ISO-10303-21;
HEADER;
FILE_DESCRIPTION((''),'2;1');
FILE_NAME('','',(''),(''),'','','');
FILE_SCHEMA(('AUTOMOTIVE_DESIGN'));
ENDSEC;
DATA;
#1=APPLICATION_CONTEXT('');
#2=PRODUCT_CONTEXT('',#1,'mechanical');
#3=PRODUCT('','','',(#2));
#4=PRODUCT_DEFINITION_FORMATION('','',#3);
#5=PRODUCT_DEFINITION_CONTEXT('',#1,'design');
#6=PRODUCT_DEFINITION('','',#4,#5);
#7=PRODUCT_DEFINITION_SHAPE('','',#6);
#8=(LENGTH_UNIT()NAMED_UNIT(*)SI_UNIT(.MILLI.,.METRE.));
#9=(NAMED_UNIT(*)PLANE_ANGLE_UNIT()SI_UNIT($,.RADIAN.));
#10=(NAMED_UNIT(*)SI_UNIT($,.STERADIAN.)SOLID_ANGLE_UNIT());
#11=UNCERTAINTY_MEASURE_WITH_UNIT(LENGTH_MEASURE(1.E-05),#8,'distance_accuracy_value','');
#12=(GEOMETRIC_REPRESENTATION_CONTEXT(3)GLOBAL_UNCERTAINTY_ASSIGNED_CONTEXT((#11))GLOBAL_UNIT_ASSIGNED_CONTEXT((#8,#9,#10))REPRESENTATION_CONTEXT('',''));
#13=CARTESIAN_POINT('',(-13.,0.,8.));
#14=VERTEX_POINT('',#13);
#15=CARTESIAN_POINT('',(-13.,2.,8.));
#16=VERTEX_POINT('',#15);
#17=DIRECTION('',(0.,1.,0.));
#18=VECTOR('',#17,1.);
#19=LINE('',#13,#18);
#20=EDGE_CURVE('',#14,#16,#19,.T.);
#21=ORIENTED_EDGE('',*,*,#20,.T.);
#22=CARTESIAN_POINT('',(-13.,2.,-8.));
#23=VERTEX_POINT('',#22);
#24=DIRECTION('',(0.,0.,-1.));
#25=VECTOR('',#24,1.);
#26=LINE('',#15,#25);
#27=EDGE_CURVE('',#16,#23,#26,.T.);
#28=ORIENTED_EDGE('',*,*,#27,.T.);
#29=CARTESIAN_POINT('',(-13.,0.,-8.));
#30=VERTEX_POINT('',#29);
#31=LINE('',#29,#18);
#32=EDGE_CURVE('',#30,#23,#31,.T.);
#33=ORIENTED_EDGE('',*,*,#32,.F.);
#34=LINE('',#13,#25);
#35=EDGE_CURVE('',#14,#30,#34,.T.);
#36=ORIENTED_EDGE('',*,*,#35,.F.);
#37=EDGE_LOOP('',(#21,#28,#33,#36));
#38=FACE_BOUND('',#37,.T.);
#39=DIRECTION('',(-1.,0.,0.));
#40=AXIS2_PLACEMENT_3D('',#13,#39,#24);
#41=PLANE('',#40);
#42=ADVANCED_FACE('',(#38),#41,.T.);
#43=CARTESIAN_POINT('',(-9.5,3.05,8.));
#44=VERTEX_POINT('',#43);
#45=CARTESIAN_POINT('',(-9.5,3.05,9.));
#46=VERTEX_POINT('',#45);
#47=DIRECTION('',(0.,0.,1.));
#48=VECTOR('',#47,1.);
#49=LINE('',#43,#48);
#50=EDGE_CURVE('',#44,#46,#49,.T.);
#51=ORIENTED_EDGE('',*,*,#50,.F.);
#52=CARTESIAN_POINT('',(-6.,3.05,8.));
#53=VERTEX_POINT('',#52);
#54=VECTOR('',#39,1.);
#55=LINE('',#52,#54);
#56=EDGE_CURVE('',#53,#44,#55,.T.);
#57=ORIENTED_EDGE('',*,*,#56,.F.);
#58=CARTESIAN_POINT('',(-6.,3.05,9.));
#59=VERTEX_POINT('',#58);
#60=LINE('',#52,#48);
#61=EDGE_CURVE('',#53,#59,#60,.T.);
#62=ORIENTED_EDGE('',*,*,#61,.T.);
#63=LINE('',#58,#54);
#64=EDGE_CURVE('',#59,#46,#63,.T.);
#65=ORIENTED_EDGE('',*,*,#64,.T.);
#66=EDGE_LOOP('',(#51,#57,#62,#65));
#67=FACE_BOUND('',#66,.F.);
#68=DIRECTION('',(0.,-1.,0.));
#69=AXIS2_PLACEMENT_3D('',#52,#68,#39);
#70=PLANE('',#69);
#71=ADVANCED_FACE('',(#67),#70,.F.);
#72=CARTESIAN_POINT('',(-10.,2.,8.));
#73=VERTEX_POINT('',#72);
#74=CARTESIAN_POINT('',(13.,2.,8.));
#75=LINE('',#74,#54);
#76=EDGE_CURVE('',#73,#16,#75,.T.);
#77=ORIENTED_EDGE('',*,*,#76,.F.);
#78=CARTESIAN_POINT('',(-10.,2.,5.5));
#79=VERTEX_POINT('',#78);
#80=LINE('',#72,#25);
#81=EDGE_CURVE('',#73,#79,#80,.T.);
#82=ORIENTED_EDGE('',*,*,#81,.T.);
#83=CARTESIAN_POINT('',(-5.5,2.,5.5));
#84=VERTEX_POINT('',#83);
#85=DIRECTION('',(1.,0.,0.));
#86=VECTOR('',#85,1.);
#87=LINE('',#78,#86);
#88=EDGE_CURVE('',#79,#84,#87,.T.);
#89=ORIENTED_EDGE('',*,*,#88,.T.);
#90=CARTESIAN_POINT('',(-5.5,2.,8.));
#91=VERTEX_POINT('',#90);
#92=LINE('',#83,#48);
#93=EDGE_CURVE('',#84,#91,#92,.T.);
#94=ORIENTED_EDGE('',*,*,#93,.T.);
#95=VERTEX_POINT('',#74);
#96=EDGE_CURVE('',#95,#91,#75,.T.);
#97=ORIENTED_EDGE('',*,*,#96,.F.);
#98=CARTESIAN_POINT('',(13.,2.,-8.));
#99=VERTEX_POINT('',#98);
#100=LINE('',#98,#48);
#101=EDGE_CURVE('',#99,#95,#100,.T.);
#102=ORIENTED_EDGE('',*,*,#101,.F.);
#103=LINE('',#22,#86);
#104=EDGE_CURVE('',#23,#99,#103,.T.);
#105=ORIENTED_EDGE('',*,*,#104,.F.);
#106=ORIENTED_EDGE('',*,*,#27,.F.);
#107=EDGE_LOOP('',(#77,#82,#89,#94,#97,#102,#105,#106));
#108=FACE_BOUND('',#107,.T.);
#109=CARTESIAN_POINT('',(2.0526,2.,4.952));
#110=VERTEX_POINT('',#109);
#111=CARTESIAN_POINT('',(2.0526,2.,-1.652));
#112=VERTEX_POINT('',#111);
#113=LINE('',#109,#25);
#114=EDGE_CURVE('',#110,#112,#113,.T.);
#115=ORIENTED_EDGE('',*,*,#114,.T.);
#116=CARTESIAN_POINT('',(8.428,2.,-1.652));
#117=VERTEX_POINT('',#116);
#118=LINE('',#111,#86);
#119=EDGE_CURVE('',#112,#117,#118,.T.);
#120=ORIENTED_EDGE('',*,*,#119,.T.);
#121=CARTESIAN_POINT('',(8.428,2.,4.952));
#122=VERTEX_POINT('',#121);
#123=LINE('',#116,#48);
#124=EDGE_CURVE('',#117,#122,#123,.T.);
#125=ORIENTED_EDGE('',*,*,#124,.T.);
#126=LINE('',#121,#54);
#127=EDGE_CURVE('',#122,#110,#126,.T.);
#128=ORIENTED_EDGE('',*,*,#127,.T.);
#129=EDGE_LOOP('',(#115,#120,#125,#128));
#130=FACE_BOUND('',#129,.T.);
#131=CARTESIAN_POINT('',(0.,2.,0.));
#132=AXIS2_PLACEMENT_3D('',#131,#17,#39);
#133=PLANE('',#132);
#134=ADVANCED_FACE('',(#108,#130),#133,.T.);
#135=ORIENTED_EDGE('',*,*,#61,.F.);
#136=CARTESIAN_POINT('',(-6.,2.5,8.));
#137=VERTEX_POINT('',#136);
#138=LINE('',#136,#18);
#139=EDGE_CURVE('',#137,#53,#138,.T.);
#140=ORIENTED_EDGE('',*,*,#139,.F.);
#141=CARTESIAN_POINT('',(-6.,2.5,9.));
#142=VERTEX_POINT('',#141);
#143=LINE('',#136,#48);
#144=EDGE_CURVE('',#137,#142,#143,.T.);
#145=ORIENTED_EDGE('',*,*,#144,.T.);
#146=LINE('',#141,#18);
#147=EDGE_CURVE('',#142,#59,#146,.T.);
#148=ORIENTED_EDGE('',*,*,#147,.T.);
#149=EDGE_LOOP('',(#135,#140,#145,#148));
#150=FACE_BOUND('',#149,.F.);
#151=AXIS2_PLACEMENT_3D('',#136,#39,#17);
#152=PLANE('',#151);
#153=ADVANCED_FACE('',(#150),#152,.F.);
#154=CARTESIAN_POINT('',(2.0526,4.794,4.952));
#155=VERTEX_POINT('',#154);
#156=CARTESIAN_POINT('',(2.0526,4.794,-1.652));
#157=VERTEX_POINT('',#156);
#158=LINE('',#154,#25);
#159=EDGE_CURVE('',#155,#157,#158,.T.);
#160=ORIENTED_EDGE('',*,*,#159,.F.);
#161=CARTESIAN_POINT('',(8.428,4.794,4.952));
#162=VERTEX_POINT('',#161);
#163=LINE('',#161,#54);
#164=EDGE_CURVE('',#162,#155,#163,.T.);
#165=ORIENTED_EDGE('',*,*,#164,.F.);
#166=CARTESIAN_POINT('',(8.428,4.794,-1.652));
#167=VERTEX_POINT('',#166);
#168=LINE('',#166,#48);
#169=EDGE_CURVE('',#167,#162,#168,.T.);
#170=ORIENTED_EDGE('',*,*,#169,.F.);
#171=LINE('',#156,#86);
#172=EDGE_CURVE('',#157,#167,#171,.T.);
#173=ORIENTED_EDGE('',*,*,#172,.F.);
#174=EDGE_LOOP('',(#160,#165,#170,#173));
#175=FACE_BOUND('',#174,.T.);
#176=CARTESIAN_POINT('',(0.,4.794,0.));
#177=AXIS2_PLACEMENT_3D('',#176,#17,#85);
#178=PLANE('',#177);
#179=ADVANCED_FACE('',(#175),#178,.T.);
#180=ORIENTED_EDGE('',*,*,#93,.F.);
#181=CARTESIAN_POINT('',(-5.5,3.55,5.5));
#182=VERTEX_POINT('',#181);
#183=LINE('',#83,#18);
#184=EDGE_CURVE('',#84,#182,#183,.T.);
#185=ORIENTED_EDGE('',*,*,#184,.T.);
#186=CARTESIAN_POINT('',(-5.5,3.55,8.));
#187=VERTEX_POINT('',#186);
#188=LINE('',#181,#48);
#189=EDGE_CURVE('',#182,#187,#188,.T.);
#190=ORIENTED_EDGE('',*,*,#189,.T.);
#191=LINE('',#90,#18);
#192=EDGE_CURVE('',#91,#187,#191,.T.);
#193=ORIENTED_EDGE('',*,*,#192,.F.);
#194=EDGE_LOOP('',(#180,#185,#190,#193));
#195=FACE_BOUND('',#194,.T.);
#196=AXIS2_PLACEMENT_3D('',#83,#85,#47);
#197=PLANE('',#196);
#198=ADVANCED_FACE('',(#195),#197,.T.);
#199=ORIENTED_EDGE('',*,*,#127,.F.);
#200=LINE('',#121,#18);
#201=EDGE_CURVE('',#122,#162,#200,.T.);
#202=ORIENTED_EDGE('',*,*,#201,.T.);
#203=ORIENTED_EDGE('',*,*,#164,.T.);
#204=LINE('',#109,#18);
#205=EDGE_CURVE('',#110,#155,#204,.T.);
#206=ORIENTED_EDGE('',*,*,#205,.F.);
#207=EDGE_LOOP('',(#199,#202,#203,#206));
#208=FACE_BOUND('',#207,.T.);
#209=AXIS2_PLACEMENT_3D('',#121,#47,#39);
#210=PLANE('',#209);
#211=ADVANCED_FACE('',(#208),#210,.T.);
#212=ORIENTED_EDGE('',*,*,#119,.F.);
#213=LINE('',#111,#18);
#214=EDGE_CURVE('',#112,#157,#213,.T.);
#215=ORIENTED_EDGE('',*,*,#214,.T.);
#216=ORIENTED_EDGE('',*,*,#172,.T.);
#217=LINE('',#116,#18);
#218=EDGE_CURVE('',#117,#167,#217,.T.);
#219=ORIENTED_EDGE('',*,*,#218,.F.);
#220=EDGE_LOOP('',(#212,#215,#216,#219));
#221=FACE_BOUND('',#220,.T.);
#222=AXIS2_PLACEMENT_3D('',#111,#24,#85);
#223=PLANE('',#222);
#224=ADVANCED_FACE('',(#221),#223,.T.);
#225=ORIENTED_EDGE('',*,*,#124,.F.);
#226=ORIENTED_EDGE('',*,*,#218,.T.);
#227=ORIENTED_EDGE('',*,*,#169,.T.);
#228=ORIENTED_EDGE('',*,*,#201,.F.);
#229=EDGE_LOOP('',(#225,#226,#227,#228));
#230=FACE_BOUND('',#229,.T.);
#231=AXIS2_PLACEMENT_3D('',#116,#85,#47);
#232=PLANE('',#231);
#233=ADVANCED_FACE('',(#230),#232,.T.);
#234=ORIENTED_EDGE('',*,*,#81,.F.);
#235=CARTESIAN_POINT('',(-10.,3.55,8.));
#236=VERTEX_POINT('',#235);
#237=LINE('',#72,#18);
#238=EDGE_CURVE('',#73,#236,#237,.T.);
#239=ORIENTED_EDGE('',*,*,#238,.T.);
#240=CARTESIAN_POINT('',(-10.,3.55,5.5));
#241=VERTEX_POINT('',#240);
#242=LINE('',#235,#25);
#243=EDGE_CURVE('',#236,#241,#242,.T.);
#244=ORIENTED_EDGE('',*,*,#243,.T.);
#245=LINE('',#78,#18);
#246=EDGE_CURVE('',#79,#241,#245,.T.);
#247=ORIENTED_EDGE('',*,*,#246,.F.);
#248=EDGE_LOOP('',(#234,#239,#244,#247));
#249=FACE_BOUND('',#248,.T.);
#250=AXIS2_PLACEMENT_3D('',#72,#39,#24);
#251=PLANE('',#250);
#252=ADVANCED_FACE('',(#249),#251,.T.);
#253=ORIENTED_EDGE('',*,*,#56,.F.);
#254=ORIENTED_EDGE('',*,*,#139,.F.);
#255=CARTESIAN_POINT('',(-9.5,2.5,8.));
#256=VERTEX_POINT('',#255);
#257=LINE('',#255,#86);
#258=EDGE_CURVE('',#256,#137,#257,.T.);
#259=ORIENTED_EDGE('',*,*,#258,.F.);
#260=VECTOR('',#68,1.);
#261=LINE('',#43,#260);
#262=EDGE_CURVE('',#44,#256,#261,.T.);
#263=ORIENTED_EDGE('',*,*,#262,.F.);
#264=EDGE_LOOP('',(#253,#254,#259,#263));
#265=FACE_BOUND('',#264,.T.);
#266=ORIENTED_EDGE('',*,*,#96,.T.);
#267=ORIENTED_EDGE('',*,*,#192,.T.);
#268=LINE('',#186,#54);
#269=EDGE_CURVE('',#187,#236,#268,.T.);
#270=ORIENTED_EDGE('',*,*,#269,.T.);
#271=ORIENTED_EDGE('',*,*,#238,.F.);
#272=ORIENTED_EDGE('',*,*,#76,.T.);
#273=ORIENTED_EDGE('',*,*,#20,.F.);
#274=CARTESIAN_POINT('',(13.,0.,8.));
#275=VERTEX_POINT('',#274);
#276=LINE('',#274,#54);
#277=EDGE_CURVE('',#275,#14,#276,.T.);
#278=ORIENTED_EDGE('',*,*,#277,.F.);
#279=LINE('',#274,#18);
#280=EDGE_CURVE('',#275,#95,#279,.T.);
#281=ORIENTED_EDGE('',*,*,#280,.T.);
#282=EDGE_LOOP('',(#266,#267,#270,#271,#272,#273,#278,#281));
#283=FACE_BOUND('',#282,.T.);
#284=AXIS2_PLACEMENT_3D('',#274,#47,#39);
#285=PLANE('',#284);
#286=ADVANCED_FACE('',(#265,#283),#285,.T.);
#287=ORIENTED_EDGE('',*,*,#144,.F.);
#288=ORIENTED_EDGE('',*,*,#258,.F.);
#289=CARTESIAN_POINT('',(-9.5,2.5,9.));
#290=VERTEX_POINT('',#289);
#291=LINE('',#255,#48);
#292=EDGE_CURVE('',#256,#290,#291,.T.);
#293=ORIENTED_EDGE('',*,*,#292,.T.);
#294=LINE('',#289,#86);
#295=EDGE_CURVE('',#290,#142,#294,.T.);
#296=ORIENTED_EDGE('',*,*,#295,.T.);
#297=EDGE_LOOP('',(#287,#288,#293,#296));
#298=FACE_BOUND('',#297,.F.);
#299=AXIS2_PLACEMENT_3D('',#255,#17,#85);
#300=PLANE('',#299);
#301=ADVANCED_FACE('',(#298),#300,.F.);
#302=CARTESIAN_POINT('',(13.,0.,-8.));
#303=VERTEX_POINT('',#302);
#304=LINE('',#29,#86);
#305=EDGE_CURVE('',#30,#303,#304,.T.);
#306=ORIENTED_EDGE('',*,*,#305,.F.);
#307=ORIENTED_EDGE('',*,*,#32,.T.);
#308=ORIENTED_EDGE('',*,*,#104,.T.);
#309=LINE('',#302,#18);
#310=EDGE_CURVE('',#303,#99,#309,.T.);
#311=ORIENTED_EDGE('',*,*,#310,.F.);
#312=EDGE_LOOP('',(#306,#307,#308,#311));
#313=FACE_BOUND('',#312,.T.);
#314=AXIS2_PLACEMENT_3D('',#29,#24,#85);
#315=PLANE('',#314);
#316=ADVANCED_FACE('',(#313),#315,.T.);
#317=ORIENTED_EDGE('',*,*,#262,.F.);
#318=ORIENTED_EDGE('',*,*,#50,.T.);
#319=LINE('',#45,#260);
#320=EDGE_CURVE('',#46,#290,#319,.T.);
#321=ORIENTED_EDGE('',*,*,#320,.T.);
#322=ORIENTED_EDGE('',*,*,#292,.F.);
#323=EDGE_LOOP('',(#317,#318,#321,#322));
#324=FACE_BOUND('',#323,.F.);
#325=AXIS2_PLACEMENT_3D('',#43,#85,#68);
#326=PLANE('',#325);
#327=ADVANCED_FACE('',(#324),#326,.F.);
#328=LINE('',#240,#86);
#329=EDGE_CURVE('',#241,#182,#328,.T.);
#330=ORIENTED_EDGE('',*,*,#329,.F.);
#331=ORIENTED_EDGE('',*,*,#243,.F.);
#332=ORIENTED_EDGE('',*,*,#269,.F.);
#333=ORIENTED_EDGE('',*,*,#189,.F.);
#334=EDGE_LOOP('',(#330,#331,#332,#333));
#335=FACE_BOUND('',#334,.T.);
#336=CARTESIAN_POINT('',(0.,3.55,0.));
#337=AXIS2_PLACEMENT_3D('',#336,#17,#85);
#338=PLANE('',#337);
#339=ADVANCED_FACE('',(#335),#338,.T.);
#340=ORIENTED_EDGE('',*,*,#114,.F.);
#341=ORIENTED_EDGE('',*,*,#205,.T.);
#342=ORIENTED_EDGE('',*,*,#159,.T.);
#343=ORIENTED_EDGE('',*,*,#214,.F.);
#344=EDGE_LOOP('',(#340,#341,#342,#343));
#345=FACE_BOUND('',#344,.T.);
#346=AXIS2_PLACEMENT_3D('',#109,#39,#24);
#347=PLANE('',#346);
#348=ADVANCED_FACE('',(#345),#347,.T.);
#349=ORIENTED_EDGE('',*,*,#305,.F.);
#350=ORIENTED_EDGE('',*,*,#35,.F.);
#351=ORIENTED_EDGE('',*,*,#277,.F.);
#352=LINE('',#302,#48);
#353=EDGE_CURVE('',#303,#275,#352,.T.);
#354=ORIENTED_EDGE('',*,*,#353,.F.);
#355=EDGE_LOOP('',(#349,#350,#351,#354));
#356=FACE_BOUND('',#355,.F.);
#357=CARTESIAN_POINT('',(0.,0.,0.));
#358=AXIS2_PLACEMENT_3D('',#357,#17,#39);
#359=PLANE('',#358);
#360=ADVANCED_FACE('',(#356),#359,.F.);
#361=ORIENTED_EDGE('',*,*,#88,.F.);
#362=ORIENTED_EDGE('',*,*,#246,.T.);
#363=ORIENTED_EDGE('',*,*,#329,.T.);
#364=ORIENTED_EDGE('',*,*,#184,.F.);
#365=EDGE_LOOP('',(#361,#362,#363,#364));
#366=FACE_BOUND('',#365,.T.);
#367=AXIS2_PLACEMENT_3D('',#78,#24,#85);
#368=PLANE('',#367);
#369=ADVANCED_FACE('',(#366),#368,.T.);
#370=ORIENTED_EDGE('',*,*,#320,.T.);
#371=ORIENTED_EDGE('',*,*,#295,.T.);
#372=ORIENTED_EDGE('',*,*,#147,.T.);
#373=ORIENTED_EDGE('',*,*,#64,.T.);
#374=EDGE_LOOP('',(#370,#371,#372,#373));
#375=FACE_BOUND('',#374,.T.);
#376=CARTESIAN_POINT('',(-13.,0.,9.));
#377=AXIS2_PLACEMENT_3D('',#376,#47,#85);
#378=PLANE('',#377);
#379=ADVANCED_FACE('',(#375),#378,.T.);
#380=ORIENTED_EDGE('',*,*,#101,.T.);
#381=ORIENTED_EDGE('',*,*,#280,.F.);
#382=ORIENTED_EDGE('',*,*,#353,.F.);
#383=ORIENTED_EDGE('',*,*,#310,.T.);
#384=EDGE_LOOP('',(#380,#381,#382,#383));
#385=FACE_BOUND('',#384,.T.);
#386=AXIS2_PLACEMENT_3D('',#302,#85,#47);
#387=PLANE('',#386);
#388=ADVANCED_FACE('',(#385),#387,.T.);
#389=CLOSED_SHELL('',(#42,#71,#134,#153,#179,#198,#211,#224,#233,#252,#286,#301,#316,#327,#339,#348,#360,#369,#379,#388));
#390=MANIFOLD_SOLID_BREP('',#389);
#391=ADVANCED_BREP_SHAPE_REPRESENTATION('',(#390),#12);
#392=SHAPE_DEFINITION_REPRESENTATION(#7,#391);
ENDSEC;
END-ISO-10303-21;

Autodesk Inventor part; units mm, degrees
ref_plane "YZ Plane" through (0, 0, 0) normal (1, 0, 0) x (0, 1, 0)
ref_plane "XZ Plane" through (0, 0, 0) normal (0, 1, 0) x (-1, 0, 0)
ref_plane "XY Plane" through (0, 0, 0) normal (0, 0, 1) x (1, 0, 0)
sketch "Sketch1" plane through (0, 0, 0) normal (0, 1, 0) x (-1, 0, 0)
  line L0 (-13, 8) -> (13, 8)
  line L1 (13, 8) -> (13, -8)
  line L2 (13, -8) -> (-13, -8)
  line L3 (-13, -8) -> (-13, 8)
  line L4 (-13, 8) -> (13, -8) construction
  line L5 (13, 8) -> (-13, -8) construction
  point P0 (0, 0)
  dimension "d0" = 26
  dimension "d1" = 16
extrude "Extrusion1" add sketch "Sketch1" along normal blind 2
sketch "Sketch2" plane through (0, 2, 0) normal (0, 1, 0) x (1, 0, 0)
  line L0 (13, -8) -> (13, 8) construction
  line L1 (13, 8) -> (-13, 8) construction
  line L2 (-13, 8) -> (-13, -8) construction
  line L3 (-13, -8) -> (13, -8) construction
  line L4 (-13, 8) -> (-13, -8) construction
  line L5 (-13, -8) -> (-10, -8) construction
  line L6 (-13, -8) -> (13, -8) construction
  line L7 (-10, -8) -> (-10, -5.5)
  line L8 (-10, -5.5) -> (-5.5, -5.5)
  line L9 (-5.5, -5.5) -> (-5.5, -8)
  line L10 (-5.5, -8) -> (-10, -8)
  point P0 (0, 0)
  dimension "d4" = 3
  dimension "d5" = 2.5
  dimension "d6" = 4.5
extrude "Extrusion2" add sketch "Sketch2" along normal blind 1.55
sketch "Sketch3" plane through (-13, 0, 8) normal (0, 0, 1) x (1, 0, 0)
  line L0 (0, 0) -> (26, 0) construction
  line L1 (26, 0) -> (26, 2) construction
  line L2 (7.5, 2) -> (26, 2) construction
  line L3 (7.5, 2) -> (7.5, 3.55) construction
  line L4 (3, 3.55) -> (7.5, 3.55) construction
  line L5 (3, 2) -> (3, 3.55) construction
  line L6 (0, 2) -> (3, 2) construction
  line L7 (0, 0) -> (0, 2) construction
  line L8 (3, 3.55) -> (7.5, 3.55) construction
  line L9 (7.5, 3.55) -> (7.5, 2) construction
  line L10 (7.5, 2) -> (3, 2) construction
  line L11 (3, 2) -> (3, 3.55) construction
  line L12 (3.5, 2.5) -> (7, 2.5)
  line L13 (7, 2.5) -> (7, 3.05)
  line L14 (7, 3.05) -> (3.5, 3.05)
  line L15 (3.5, 3.05) -> (3.5, 2.5)
  point P0 (13, 0)
  dimension "d9" = 0.5
extrude "Extrusion3" add sketch "Sketch3" along normal blind 1
sketch "Sketch4" plane through (0, 2, 0) normal (0, 1, 0) x (1, 0, 0)
  line L0 (13, -8) -> (13, 8) construction
  line L1 (13, -8) -> (8.428, -8) construction
  line L2 (-13, -8) -> (13, -8) construction
  line L3 (8.428, -8) -> (8.428, -4.952) construction
  line L4 (8.428, -4.952) -> (2.0526, -4.952)
  line L5 (2.0526, -4.952) -> (2.0526, 1.652)
  line L6 (2.0526, 1.652) -> (8.428, 1.652)
  line L7 (8.428, 1.652) -> (8.428, -4.952)
  point P0 (0, 0)
  dimension "d12" = 4.572
  dimension "d13" = 3.048
  dimension "d14" = 6.3754
  dimension "d15" = 6.604
extrude "Extrusion4" add sketch "Sketch4" along normal blind 2.794
properties part number "BMS"
